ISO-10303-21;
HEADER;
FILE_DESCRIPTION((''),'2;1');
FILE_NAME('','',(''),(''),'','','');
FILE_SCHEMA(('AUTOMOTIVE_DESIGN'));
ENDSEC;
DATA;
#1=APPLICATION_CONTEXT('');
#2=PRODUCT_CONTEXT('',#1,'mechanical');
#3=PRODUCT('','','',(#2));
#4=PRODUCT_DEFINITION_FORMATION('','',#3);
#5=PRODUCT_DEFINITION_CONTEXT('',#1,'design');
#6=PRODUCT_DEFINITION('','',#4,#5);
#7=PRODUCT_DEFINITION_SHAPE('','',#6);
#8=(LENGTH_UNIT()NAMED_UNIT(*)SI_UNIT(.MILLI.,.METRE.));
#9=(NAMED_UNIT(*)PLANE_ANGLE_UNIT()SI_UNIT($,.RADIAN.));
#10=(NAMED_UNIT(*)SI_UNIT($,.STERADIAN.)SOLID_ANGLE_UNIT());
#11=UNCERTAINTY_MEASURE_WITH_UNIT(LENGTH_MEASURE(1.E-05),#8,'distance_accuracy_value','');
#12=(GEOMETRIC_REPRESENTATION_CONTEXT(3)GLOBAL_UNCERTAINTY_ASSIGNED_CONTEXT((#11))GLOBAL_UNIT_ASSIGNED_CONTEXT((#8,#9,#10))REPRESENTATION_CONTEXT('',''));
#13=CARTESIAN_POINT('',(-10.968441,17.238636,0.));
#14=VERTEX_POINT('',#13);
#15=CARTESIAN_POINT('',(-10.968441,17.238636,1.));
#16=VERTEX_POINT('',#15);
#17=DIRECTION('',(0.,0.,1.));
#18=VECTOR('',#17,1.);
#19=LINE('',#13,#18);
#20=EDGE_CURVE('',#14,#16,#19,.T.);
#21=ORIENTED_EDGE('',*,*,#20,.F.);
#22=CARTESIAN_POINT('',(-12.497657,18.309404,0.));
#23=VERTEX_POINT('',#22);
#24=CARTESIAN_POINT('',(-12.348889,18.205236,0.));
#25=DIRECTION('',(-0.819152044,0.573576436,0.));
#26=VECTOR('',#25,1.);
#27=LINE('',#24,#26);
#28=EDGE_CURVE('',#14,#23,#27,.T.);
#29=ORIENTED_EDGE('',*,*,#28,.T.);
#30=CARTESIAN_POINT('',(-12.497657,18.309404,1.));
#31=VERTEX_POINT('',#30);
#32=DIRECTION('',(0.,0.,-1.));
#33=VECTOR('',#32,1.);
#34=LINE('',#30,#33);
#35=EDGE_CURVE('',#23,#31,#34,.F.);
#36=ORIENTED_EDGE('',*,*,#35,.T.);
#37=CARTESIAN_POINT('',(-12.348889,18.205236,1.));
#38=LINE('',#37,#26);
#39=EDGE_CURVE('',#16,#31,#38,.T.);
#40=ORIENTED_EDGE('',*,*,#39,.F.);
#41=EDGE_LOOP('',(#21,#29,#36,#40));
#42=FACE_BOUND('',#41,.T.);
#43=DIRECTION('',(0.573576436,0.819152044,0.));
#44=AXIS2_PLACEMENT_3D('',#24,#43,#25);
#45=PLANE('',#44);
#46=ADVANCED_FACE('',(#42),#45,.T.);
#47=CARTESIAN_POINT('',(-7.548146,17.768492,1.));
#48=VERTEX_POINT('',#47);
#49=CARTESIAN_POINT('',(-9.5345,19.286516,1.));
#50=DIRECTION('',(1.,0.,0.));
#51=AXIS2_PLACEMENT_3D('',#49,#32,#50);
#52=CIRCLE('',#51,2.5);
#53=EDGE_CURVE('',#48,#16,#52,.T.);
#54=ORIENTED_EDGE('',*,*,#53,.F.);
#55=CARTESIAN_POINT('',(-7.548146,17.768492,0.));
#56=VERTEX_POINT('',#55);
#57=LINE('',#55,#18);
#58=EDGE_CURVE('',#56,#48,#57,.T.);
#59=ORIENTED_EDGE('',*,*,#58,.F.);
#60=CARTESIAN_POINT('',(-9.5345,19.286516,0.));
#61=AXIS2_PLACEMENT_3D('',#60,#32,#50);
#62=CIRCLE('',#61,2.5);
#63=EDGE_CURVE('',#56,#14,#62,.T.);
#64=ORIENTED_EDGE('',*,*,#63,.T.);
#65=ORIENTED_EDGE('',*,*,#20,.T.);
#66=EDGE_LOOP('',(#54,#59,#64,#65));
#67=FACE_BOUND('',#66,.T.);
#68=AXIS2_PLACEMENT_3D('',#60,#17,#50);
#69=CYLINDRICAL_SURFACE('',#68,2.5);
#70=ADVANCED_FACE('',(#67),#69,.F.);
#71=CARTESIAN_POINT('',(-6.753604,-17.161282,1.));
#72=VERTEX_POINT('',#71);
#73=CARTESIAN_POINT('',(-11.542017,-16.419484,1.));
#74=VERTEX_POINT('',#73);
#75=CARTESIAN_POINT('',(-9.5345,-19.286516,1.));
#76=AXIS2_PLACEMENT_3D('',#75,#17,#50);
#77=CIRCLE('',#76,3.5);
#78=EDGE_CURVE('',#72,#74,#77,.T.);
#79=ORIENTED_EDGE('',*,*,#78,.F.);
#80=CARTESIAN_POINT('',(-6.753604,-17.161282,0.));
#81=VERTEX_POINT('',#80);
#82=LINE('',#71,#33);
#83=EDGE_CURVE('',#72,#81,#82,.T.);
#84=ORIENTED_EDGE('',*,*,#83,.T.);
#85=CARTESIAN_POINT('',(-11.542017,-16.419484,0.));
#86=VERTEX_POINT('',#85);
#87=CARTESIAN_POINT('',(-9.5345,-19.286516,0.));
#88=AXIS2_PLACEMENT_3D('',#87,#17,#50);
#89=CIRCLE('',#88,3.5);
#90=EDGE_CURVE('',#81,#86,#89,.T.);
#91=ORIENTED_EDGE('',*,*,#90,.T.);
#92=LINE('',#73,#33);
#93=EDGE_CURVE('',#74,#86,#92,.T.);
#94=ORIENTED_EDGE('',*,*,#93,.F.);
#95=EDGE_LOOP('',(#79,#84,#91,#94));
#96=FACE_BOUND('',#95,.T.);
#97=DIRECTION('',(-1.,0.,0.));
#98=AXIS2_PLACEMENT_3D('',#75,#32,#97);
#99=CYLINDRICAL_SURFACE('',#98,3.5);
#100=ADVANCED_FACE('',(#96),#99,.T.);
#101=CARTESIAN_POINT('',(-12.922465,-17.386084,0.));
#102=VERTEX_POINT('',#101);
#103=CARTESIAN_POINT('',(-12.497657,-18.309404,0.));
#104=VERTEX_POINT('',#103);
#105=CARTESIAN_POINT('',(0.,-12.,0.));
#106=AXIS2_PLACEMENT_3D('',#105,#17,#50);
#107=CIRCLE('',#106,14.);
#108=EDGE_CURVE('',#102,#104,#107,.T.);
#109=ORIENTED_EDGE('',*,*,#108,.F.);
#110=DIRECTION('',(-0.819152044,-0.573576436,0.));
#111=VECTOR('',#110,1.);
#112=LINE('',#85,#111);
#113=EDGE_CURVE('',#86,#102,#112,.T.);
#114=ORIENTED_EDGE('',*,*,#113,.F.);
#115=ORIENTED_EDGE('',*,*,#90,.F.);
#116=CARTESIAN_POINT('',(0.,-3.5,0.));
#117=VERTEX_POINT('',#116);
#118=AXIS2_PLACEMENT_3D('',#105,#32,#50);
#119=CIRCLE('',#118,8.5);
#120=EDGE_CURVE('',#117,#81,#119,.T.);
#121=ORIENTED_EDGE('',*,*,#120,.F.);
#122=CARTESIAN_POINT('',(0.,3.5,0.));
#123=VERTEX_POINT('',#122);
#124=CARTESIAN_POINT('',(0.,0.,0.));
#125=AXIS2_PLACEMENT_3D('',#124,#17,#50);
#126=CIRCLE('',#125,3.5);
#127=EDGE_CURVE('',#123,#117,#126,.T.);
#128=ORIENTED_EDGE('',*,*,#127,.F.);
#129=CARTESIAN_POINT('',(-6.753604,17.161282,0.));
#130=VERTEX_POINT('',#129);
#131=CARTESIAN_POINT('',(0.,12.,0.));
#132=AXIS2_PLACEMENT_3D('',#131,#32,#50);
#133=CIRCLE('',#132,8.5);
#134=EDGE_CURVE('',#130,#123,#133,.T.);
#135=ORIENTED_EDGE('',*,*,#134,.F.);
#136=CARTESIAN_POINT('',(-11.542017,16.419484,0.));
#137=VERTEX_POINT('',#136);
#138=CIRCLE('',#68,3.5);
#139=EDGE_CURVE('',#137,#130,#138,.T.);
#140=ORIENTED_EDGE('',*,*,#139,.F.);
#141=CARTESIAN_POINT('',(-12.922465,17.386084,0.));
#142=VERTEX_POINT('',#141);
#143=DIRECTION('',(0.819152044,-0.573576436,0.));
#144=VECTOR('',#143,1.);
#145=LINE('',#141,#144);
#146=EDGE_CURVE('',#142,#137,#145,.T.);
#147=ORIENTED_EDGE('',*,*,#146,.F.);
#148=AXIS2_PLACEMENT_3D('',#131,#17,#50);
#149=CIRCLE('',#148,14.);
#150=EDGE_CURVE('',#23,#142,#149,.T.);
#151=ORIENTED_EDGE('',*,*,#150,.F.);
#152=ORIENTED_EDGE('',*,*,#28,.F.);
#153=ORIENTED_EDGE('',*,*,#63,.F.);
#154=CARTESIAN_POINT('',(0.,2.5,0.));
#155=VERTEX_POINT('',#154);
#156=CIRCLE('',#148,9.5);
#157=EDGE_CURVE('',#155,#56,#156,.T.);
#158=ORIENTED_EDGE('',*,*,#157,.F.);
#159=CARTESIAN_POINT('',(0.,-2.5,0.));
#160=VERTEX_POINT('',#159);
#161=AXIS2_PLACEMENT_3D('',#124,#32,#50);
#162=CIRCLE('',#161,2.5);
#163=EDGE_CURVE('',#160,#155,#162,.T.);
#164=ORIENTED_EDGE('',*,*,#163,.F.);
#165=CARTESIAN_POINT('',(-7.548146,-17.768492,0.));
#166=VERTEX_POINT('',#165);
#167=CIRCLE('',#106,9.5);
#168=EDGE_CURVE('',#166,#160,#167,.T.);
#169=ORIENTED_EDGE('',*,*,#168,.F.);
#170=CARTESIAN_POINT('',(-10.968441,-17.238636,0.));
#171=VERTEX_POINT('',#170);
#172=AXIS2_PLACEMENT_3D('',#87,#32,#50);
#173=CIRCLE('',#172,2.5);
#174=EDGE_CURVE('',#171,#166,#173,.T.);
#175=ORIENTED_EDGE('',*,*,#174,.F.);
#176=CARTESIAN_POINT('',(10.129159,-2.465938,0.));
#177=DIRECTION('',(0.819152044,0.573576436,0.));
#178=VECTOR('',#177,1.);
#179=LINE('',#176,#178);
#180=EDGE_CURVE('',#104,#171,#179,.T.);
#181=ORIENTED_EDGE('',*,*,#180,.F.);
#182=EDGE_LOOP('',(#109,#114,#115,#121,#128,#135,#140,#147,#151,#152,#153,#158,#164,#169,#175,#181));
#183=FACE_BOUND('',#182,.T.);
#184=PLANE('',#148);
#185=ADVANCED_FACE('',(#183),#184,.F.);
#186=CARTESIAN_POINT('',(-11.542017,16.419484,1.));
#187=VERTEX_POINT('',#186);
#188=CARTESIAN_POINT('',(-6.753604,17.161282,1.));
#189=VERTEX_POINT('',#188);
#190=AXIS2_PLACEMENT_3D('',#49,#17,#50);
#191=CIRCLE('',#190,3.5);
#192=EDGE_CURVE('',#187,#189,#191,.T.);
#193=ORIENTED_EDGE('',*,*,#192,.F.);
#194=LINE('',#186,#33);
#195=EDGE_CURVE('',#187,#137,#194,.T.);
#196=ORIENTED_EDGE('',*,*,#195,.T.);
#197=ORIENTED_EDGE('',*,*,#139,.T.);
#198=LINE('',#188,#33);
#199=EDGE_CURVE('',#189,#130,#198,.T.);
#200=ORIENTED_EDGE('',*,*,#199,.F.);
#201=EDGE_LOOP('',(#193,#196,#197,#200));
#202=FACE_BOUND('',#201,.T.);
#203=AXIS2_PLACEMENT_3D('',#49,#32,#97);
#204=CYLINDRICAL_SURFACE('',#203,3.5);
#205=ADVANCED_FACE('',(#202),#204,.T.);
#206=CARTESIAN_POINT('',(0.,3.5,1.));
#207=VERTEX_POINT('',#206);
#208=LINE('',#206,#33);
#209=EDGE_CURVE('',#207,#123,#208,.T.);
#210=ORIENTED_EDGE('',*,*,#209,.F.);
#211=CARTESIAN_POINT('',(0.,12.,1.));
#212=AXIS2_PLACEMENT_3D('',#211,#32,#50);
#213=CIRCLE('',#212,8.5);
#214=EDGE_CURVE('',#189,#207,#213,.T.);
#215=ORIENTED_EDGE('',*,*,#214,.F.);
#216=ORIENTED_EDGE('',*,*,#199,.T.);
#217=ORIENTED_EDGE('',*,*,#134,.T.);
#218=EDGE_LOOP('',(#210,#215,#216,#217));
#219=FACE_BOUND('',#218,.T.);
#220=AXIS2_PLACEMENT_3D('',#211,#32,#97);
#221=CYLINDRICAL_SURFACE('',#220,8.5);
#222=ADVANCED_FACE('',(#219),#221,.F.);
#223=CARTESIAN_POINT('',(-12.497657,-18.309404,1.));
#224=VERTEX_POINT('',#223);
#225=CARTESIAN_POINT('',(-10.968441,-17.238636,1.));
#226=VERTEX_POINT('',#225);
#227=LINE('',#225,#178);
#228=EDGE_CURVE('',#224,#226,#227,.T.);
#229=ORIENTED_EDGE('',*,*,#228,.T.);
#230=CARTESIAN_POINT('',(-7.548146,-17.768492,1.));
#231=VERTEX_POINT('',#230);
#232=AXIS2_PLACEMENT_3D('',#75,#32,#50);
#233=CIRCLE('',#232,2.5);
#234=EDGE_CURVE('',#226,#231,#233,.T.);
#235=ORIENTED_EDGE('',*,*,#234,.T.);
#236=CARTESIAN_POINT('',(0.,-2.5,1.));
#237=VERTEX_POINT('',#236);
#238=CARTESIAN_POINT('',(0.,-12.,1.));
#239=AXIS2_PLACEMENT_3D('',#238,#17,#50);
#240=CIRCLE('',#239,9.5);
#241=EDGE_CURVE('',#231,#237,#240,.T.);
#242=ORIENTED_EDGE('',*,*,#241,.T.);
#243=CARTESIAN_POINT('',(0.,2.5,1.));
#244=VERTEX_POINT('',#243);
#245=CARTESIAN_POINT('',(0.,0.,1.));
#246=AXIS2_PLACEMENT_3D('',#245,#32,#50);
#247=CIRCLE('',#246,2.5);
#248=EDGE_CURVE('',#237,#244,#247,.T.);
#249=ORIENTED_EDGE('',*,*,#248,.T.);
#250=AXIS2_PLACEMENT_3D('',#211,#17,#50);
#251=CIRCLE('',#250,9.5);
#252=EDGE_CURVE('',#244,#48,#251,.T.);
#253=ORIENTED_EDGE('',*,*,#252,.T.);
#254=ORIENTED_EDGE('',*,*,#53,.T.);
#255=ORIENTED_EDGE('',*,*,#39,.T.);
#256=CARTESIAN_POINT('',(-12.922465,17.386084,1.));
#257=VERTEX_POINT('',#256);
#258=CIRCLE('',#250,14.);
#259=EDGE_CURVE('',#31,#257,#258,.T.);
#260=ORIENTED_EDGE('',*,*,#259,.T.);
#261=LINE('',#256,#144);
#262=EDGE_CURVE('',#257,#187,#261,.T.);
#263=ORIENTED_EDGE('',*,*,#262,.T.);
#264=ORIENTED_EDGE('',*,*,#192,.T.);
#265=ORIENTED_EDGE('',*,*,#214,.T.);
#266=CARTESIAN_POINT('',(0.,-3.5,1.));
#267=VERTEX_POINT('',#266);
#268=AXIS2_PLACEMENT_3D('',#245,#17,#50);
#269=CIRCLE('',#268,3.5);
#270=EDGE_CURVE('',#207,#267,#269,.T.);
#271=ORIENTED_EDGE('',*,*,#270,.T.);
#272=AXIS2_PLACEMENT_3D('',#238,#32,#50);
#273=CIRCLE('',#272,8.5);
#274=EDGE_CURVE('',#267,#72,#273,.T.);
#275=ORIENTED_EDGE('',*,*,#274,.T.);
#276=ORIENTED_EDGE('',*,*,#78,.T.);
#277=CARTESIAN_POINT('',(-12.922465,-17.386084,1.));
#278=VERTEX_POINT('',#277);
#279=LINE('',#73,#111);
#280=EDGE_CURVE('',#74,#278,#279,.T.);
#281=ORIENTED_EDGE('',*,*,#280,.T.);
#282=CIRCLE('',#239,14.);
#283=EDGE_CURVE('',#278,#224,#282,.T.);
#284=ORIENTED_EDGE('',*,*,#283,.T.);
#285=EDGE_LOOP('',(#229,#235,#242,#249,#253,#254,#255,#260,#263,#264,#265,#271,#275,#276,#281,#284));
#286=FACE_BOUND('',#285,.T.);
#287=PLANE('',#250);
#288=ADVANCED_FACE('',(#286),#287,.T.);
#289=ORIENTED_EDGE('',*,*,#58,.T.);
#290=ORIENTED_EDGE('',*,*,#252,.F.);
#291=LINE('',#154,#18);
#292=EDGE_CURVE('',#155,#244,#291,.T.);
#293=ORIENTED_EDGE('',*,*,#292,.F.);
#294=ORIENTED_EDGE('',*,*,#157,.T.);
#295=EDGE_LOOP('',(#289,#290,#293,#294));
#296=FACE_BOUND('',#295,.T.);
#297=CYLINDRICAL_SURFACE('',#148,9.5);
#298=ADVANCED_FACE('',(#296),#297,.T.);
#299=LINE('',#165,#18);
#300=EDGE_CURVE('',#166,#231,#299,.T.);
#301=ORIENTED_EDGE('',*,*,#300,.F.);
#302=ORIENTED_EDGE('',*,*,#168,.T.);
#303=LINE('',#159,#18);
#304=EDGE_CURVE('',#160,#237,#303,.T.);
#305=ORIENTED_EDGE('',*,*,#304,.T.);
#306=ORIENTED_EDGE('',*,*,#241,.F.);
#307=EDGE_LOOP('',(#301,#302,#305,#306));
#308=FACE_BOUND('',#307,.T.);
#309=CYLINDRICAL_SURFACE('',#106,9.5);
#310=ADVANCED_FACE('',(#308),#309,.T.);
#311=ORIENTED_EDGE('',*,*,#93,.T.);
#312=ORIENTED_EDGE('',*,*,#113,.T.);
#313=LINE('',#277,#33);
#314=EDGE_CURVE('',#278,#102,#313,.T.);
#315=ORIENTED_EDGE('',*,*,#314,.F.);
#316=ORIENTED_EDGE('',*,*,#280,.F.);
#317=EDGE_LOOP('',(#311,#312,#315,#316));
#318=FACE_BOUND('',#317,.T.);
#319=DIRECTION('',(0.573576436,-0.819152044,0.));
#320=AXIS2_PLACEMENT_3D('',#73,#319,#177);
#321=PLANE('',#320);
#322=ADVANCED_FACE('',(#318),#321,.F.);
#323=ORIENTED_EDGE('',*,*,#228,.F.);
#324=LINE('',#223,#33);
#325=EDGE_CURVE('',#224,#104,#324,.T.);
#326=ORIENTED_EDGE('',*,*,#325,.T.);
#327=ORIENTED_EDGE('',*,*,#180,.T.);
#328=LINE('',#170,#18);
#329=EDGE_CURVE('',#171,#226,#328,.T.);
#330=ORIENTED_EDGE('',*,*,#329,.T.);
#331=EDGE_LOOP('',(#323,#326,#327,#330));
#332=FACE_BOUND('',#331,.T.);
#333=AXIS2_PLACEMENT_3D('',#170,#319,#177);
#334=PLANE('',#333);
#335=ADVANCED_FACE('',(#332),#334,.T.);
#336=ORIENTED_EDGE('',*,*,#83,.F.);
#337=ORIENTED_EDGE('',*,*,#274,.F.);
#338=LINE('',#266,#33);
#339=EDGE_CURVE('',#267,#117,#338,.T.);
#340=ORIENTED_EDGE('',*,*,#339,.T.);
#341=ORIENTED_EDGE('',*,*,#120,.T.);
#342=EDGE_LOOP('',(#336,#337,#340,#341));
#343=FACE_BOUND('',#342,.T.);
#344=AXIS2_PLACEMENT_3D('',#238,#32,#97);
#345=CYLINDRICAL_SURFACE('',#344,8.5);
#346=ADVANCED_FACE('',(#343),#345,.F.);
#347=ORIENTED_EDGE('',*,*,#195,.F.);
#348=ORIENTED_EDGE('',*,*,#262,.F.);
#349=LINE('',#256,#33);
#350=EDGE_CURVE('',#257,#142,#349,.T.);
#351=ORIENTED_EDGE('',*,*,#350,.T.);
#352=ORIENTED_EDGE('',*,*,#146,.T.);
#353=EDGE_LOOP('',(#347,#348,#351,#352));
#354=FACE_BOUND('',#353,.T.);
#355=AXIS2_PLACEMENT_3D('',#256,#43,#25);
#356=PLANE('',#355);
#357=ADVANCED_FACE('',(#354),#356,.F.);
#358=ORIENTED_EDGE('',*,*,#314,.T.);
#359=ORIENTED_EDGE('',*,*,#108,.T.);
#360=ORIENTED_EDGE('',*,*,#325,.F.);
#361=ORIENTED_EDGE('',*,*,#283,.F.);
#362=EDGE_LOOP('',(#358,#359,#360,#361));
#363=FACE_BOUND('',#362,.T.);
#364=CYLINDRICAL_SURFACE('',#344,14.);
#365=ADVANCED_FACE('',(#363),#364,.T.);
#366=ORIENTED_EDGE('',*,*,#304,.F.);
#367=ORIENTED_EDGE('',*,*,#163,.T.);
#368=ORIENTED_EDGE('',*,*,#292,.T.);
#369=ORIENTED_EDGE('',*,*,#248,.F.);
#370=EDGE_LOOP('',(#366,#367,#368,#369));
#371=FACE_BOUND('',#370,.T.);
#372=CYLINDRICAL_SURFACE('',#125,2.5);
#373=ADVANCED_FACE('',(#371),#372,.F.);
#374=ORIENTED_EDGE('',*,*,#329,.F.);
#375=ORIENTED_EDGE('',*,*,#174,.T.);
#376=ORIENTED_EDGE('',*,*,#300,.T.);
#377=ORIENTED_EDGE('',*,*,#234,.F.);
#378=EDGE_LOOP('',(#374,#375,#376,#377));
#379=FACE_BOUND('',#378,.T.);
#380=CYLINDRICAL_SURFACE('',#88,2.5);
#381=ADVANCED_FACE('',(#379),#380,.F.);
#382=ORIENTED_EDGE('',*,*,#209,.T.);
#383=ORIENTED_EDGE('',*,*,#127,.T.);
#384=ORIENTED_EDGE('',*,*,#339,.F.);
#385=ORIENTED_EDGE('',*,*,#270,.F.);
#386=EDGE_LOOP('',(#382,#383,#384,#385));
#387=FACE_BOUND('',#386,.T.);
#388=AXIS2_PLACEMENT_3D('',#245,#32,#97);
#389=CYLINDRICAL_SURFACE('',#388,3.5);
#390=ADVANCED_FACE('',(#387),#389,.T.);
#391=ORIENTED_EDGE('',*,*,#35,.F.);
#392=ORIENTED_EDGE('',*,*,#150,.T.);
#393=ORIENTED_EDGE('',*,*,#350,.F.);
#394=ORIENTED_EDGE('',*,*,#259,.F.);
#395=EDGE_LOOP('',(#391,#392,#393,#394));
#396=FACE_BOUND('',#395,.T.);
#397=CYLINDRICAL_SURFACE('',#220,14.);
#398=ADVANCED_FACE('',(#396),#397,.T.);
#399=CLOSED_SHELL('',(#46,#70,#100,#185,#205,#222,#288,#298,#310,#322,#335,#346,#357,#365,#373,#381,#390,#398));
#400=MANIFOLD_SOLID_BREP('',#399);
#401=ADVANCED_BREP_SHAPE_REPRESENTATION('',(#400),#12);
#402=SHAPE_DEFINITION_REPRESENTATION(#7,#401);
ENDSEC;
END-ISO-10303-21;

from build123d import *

# Parameters (mm, degrees)
BOSS_EXTRU_2_DEPTH      = 1
ESQUISSE2_OUTSIDE_W     = 37.018
ESQUISSE2_OUTSIDE_H     = 59.596
ENL_V_MAT_EXTRU_1_DEPTH = 27.837289407


with BuildPart() as part:
    # Esquisse1 → Boss.-Extru.2 (new body)
    with BuildSketch(Plane.XY):
        with BuildLine():
            Line((-12.922465041, 17.386083667), (-11.5420173, 16.419483753))
            ThreePointArc((-11.5420173, 16.419483753), (-8.998687611, 15.827772592), (-6.753604006, 17.161282102))
            ThreePointArc((-6.753604006, 17.161282102), (7.619740739, 15.766902052), (0, 3.5))
            ThreePointArc((0, 3.5), (-3.5, 0), (0, -3.5))
            ThreePointArc((0, -3.5), (7.619740739, -15.766902052), (-6.753604006, -17.161282102))
            ThreePointArc((-6.753604006, -17.161282102), (-8.998687611, -15.827772592), (-11.5420173, -16.419483753))
            Line((-11.5420173, -16.419483753), (-12.922465041, -17.386083667))
            ThreePointArc((-12.922465041, -17.386083667), (-12.266740841, -18.747374982), (-11.46812862, -20.030070109))
            Line((-11.46812862, -20.030070109), (-9.821287991, -18.876939886))
            ThreePointArc((-9.821287991, -18.876939886), (-9.457955178, -18.79240972), (-9.137228949, -18.982911079))
            ThreePointArc((-9.137228949, -18.982911079), (10.309061, -17.096396894), (0, -0.5))
            ThreePointArc((0, -0.5), (-0.5, 0), (0, 0.5))
            ThreePointArc((0, 0.5), (10.309061, 17.096396894), (-9.137228949, 18.982911079))
            ThreePointArc((-9.137228949, 18.982911079), (-9.457955178, 18.79240972), (-9.821287991, 18.876939886))
            Line((-9.821287991, 18.876939886), (-11.46812862, 20.030070109))
            ThreePointArc((-11.46812862, 20.030070109), (-12.266740841, 18.747374982), (-12.922465041, 17.386083667))
        make_face()
    extrude(amount=BOSS_EXTRU_2_DEPTH)

    # Esquisse2 outside → Enlèv. mat.-Extru.1 (cut, through all)
    with BuildSketch(Plane.XY.offset(1)):
        with Locations((-0.711, 0)):
            Rectangle(ESQUISSE2_OUTSIDE_W, ESQUISSE2_OUTSIDE_H)
        with BuildLine():
            Line((-12.922465041, 17.386083667), (-11.5420173, 16.419483753))
            ThreePointArc((-11.5420173, 16.419483753), (-8.998687611, 15.827772592), (-6.753604006, 17.161282102))
            ThreePointArc((-6.753604006, 17.161282102), (7.619740739, 15.766902052), (0, 3.5))
            ThreePointArc((0, 3.5), (-3.5, 0), (0, -3.5))
            ThreePointArc((0, -3.5), (7.619740739, -15.766902052), (-6.753604006, -17.161282102))
            ThreePointArc((-6.753604006, -17.161282102), (-8.998687611, -15.827772592), (-11.5420173, -16.419483753))
            Line((-11.5420173, -16.419483753), (-12.922465041, -17.386083667))
            Line((-12.922465041, -17.386083667), (-12.979954825, -18.647113037))
            Line((-12.979954825, -18.647113037), (-12.348888604, -18.205235712))
            Line((-12.348888604, -18.205235712), (-10.968440864, -17.238635798))
            ThreePointArc((-10.968440864, -17.238635798), (-9.1517768, -16.815984968), (-7.548145653, -17.768491761))
            ThreePointArc((-7.548145653, -17.768491761), (8.516180826, -16.210066999), (0, -2.5))
            ThreePointArc((0, -2.5), (-2.5, 0), (0, 2.5))
            ThreePointArc((0, 2.5), (8.516180826, 16.210066999), (-7.548145653, 17.768491761))
            ThreePointArc((-7.548145653, 17.768491761), (-9.1517768, 16.815984968), (-10.968440864, 17.238635798))
            Line((-10.968440864, 17.238635798), (-12.348888604, 18.205235712))
            Line((-12.348888604, 18.205235712), (-12.898926694, 18.590376529))
            Line((-12.898926694, 18.590376529), (-13.29562882, 18.205235712))
            Line((-13.29562882, 18.205235712), (-12.922465041, 17.386083667))
        make_face(mode=Mode.SUBTRACT)
    extrude(amount=-ENL_V_MAT_EXTRU_1_DEPTH, mode=Mode.SUBTRACT)


solid = part.part
